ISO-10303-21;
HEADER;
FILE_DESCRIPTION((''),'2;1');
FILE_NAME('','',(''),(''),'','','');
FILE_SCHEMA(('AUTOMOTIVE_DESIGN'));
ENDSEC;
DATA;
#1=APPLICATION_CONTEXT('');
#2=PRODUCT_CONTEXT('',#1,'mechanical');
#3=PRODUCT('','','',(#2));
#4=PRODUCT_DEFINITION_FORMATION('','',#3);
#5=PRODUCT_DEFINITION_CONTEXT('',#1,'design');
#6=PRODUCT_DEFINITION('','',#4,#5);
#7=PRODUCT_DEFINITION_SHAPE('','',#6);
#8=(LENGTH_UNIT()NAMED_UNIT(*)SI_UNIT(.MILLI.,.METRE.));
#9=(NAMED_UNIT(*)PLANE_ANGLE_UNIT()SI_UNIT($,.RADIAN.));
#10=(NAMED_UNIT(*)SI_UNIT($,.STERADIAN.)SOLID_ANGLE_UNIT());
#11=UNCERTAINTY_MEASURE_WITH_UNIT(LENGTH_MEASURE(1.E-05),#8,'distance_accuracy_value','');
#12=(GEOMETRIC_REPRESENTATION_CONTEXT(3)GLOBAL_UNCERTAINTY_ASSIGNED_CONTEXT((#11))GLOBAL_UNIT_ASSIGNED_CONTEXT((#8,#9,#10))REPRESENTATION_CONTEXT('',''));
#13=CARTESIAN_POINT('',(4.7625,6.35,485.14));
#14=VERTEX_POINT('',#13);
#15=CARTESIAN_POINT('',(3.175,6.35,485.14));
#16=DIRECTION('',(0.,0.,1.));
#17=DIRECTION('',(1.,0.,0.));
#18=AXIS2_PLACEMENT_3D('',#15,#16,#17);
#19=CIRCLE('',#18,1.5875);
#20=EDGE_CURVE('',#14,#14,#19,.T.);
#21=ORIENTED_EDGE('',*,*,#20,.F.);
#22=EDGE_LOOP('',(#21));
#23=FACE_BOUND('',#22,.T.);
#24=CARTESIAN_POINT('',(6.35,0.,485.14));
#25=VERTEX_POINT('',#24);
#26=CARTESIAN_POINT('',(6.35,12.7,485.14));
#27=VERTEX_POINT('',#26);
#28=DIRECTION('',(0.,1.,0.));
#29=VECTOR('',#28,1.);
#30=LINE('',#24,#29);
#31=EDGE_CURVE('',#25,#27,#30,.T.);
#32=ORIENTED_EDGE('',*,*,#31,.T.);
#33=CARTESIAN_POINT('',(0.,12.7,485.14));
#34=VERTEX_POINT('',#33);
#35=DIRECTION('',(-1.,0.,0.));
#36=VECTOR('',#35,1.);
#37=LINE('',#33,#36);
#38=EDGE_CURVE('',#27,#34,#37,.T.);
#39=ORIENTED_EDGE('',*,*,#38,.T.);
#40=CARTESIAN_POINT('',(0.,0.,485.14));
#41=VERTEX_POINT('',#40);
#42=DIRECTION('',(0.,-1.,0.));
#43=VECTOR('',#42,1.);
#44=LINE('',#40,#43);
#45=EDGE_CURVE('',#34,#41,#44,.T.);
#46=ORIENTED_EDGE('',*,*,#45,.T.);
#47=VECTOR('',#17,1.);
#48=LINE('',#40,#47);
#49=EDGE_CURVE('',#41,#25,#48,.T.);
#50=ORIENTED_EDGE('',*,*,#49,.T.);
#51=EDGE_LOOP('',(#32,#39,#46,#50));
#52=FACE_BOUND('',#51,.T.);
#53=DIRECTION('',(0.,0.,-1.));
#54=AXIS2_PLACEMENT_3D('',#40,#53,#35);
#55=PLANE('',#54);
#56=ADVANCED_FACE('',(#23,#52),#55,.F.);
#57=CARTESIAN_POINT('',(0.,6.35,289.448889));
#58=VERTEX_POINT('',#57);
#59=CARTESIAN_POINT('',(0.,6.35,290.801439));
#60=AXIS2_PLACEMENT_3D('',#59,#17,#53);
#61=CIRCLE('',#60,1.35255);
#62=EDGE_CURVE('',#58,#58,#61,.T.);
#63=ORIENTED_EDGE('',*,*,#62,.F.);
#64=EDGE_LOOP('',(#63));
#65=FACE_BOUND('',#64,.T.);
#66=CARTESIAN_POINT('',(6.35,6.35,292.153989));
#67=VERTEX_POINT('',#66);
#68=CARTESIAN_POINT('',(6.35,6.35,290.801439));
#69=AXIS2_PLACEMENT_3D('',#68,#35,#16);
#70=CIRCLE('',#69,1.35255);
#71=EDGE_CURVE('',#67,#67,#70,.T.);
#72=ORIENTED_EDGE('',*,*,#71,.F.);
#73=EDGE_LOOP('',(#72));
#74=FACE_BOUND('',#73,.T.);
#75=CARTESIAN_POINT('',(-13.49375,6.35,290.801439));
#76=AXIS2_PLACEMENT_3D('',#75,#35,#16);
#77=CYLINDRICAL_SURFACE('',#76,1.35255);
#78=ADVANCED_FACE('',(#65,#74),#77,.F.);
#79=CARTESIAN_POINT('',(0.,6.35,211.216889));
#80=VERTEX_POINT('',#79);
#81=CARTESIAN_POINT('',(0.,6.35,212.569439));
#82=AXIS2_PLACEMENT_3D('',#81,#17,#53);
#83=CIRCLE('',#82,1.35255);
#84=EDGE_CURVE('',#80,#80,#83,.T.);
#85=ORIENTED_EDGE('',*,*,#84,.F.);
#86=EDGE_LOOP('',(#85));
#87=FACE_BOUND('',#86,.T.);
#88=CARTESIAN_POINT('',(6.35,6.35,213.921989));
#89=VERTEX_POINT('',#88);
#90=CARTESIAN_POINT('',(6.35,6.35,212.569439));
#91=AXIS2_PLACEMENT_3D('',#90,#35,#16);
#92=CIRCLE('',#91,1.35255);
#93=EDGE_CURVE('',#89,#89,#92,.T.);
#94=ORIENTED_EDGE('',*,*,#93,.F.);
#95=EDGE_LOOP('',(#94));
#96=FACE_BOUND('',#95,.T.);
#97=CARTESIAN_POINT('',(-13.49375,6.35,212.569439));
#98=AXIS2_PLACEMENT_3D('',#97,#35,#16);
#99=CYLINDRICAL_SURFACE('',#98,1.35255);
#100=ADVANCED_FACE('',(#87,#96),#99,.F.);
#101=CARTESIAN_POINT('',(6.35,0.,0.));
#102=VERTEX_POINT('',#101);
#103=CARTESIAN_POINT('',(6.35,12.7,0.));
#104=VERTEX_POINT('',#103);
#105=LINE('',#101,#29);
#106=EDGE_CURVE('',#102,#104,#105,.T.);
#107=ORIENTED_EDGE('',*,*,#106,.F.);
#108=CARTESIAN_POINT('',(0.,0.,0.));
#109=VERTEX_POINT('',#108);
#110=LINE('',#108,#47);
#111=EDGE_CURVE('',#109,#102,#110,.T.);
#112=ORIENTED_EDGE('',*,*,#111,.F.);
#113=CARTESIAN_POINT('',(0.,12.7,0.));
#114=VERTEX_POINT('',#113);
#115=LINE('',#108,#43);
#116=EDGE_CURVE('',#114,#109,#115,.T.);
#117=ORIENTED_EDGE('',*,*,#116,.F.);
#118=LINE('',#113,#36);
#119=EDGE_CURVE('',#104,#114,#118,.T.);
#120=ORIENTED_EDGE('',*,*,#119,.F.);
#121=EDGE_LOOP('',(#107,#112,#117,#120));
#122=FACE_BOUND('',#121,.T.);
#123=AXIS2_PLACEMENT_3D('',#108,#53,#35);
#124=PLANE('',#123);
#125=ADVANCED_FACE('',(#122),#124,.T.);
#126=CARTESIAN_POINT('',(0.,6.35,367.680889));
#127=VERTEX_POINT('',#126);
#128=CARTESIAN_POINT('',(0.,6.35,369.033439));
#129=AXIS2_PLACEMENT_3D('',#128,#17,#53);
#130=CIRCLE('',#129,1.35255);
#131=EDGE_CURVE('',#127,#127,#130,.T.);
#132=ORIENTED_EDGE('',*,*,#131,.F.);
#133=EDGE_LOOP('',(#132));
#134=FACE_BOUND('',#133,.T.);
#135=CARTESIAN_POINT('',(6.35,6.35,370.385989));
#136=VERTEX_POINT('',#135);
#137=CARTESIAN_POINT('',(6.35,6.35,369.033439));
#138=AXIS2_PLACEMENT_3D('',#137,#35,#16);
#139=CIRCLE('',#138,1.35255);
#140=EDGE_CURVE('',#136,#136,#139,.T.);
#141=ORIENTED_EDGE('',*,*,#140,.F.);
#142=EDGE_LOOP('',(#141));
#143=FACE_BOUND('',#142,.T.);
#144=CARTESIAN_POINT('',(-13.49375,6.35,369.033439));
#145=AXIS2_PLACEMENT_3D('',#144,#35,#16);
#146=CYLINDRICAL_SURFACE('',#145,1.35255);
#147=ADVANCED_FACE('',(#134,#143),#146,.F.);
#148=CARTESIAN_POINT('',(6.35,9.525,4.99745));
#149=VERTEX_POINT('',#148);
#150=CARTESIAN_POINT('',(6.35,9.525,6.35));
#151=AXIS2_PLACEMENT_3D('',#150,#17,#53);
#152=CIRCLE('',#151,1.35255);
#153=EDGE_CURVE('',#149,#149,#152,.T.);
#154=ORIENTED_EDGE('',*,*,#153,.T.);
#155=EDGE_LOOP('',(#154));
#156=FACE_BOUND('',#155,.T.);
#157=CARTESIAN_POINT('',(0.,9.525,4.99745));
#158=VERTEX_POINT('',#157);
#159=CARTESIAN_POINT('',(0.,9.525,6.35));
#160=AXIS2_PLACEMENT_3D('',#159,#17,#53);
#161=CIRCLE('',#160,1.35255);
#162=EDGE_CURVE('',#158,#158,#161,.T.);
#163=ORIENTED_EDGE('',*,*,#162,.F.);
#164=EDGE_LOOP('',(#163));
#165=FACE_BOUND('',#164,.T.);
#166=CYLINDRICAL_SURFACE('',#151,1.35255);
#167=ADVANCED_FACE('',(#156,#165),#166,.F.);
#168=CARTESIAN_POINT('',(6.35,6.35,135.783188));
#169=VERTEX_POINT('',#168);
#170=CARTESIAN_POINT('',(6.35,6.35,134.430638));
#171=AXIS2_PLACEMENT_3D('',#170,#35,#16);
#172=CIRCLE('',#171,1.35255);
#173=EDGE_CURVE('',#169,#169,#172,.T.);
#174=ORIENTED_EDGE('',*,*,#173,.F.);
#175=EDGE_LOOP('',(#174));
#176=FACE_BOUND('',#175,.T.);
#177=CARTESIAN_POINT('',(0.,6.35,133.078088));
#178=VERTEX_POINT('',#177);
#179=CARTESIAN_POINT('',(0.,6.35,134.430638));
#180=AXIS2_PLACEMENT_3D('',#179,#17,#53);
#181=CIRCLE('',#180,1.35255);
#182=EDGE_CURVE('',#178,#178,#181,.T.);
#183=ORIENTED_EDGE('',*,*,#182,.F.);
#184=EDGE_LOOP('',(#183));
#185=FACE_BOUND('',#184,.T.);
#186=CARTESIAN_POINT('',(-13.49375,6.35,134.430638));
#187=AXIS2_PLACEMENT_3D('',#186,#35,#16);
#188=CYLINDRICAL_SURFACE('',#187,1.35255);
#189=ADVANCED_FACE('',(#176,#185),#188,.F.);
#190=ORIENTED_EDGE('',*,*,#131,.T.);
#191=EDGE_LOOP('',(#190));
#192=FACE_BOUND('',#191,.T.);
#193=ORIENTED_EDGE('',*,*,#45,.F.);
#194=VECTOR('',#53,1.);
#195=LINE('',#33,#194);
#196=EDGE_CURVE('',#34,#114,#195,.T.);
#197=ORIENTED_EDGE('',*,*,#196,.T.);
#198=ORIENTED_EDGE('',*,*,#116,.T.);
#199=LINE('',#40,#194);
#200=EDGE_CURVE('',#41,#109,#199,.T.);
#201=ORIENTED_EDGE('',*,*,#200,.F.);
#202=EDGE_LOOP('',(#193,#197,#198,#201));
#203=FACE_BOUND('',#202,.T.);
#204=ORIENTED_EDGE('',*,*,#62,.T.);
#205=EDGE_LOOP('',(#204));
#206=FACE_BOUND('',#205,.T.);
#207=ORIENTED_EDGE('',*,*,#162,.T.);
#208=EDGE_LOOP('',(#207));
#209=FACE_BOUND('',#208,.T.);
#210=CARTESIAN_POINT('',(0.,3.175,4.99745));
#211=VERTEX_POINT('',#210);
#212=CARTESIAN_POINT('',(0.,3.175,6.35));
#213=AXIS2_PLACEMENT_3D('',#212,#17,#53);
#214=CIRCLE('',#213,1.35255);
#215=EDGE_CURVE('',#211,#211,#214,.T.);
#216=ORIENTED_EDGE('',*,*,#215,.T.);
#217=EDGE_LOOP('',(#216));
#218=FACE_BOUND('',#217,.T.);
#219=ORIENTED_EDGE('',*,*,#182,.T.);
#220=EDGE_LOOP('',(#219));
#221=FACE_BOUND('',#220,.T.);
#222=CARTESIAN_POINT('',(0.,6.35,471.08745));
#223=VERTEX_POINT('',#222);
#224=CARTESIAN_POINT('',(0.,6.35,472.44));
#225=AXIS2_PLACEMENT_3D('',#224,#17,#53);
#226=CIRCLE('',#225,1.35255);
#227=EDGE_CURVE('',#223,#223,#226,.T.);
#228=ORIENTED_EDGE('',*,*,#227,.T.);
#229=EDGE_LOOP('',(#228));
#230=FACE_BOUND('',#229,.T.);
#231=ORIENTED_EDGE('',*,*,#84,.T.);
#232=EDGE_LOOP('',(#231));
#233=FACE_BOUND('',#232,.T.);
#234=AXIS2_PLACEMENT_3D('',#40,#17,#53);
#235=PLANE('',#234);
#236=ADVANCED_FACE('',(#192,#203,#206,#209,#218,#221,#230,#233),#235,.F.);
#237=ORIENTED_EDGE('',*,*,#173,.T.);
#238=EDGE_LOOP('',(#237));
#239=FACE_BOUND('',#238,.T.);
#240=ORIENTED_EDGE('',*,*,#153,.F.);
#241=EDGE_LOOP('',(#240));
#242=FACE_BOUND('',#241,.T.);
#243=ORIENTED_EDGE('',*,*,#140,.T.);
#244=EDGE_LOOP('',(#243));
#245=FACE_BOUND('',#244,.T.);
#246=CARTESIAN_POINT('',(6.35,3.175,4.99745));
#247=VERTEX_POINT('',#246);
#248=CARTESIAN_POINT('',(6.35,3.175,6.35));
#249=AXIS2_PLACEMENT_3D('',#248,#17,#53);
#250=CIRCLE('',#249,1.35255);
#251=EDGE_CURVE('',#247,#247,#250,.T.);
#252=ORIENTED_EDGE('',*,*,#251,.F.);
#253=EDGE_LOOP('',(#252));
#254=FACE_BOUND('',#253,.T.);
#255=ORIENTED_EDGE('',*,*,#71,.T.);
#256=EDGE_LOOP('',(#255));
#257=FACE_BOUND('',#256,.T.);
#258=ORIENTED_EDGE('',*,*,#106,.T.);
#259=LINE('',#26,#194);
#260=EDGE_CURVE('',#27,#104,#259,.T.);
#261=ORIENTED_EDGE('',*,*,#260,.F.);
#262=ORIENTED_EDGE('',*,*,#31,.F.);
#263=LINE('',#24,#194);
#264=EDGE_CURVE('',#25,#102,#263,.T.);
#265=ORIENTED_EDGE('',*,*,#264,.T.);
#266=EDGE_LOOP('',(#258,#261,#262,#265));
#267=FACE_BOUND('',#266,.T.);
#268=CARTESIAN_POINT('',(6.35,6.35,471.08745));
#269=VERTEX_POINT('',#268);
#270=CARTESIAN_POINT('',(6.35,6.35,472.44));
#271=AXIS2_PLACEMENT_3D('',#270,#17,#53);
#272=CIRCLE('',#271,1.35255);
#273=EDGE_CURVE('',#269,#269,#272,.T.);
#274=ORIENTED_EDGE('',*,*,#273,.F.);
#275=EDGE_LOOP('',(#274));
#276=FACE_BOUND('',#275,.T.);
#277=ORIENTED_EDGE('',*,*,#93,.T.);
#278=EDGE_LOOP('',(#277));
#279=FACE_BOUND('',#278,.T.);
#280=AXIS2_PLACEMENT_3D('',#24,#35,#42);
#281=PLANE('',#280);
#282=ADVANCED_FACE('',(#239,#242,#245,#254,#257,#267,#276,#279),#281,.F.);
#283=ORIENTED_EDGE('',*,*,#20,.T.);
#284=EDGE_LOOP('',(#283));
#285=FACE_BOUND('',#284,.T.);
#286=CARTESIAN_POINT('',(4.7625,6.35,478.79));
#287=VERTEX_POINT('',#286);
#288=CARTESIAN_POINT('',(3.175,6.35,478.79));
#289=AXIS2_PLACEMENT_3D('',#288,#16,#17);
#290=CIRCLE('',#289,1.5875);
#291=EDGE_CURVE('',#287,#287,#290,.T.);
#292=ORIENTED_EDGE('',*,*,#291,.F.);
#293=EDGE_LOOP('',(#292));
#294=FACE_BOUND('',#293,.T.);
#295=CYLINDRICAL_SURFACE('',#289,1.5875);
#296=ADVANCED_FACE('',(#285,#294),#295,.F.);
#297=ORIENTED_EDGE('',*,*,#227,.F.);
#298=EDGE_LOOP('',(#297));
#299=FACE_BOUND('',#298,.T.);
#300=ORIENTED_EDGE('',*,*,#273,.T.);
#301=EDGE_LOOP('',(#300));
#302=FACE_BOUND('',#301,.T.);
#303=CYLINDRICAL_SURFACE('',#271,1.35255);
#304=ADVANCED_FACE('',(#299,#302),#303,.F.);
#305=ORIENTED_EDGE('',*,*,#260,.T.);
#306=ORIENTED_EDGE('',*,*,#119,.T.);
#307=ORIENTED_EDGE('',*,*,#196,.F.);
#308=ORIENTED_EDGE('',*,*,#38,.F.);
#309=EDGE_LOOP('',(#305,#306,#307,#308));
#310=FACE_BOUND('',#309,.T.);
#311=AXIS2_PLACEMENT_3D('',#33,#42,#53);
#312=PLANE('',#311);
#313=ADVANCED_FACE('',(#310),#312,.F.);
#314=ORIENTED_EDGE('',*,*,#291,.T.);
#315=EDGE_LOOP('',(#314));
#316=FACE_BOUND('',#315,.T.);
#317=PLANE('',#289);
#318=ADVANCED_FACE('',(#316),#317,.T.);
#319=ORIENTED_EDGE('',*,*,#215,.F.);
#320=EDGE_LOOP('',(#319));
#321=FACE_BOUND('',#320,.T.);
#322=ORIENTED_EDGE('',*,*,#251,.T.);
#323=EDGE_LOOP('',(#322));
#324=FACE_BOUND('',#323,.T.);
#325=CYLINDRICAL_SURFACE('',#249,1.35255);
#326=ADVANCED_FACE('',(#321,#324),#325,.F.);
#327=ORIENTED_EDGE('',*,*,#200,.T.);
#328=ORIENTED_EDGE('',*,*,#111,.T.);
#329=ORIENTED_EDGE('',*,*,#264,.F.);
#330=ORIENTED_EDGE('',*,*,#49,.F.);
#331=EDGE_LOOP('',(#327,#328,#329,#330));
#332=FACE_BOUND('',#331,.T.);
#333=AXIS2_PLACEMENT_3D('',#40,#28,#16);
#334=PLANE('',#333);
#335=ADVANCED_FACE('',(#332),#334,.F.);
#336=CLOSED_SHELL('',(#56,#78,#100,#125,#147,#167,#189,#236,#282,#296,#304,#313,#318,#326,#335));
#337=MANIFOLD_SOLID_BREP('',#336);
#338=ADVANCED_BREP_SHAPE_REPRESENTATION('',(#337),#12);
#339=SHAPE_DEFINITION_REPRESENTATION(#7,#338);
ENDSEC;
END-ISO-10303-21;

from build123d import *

# Parameters (mm, degrees)
SKETCH1_W                 = 6.35
SKETCH1_H                 = 12.7
BOSS_EXTRUDE1_DEPTH       = 485.14
TAP_DRILL_FOR_6_32_TAP2_D = 2.7051
TAP_DRILL_FOR_6_32_TAP1_D = 2.7051
SKETCH6_R                 = 1.5875
CUT_EXTRUDE1_DEPTH        = 6.35
TAP_DRILL_FOR_6_32_TAP4_D = 2.7051


with BuildPart() as part:
    # Sketch1 → Boss-Extrude1 (new body)
    with BuildSketch(Plane.XY):
        with Locations((3.175, 6.35)):
            Rectangle(SKETCH1_W, SKETCH1_H)
    extrude(amount=BOSS_EXTRUDE1_DEPTH)

    # Tap Drill for #6-32 Tap2 (through all)
    with Locations(Plane(origin=(6.35, 0, 0), x_dir=(0, 0, -1), z_dir=(1, 0, 0))):
        with Locations((-6.35, 3.175), (-6.35, 9.525)):
            Hole(TAP_DRILL_FOR_6_32_TAP2_D / 2)

    # Tap Drill for #6-32 Tap1 (through all)
    with Locations(Plane(origin=(6.35, 0, 0), x_dir=(0, 0, -1), z_dir=(1, 0, 0))):
        with Locations((-472.44, 6.35)):
            Hole(TAP_DRILL_FOR_6_32_TAP1_D / 2)

    # Sketch6 → Cut-Extrude1 (cut)
    with BuildSketch(Plane.XY.offset(485.14)):
        with Locations((3.175, 6.35)):
            Circle(SKETCH6_R)
    extrude(amount=-CUT_EXTRUDE1_DEPTH, mode=Mode.SUBTRACT)

    # Tap Drill for #6-32 Tap4 (through all)
    with Locations(Plane(origin=(-13.49375, 1342.118435602, -1739.809386822), x_dir=(0, 0, -1), z_dir=(-1, 0, 0))):
        with Locations((-2108.842826276, 1335.768435602), (-1952.378826276, 1335.768435602), (-2030.610826276, 1335.768435602), (-1874.240025135, 1335.768435602)):
            Hole(TAP_DRILL_FOR_6_32_TAP4_D / 2)


solid = part.part
